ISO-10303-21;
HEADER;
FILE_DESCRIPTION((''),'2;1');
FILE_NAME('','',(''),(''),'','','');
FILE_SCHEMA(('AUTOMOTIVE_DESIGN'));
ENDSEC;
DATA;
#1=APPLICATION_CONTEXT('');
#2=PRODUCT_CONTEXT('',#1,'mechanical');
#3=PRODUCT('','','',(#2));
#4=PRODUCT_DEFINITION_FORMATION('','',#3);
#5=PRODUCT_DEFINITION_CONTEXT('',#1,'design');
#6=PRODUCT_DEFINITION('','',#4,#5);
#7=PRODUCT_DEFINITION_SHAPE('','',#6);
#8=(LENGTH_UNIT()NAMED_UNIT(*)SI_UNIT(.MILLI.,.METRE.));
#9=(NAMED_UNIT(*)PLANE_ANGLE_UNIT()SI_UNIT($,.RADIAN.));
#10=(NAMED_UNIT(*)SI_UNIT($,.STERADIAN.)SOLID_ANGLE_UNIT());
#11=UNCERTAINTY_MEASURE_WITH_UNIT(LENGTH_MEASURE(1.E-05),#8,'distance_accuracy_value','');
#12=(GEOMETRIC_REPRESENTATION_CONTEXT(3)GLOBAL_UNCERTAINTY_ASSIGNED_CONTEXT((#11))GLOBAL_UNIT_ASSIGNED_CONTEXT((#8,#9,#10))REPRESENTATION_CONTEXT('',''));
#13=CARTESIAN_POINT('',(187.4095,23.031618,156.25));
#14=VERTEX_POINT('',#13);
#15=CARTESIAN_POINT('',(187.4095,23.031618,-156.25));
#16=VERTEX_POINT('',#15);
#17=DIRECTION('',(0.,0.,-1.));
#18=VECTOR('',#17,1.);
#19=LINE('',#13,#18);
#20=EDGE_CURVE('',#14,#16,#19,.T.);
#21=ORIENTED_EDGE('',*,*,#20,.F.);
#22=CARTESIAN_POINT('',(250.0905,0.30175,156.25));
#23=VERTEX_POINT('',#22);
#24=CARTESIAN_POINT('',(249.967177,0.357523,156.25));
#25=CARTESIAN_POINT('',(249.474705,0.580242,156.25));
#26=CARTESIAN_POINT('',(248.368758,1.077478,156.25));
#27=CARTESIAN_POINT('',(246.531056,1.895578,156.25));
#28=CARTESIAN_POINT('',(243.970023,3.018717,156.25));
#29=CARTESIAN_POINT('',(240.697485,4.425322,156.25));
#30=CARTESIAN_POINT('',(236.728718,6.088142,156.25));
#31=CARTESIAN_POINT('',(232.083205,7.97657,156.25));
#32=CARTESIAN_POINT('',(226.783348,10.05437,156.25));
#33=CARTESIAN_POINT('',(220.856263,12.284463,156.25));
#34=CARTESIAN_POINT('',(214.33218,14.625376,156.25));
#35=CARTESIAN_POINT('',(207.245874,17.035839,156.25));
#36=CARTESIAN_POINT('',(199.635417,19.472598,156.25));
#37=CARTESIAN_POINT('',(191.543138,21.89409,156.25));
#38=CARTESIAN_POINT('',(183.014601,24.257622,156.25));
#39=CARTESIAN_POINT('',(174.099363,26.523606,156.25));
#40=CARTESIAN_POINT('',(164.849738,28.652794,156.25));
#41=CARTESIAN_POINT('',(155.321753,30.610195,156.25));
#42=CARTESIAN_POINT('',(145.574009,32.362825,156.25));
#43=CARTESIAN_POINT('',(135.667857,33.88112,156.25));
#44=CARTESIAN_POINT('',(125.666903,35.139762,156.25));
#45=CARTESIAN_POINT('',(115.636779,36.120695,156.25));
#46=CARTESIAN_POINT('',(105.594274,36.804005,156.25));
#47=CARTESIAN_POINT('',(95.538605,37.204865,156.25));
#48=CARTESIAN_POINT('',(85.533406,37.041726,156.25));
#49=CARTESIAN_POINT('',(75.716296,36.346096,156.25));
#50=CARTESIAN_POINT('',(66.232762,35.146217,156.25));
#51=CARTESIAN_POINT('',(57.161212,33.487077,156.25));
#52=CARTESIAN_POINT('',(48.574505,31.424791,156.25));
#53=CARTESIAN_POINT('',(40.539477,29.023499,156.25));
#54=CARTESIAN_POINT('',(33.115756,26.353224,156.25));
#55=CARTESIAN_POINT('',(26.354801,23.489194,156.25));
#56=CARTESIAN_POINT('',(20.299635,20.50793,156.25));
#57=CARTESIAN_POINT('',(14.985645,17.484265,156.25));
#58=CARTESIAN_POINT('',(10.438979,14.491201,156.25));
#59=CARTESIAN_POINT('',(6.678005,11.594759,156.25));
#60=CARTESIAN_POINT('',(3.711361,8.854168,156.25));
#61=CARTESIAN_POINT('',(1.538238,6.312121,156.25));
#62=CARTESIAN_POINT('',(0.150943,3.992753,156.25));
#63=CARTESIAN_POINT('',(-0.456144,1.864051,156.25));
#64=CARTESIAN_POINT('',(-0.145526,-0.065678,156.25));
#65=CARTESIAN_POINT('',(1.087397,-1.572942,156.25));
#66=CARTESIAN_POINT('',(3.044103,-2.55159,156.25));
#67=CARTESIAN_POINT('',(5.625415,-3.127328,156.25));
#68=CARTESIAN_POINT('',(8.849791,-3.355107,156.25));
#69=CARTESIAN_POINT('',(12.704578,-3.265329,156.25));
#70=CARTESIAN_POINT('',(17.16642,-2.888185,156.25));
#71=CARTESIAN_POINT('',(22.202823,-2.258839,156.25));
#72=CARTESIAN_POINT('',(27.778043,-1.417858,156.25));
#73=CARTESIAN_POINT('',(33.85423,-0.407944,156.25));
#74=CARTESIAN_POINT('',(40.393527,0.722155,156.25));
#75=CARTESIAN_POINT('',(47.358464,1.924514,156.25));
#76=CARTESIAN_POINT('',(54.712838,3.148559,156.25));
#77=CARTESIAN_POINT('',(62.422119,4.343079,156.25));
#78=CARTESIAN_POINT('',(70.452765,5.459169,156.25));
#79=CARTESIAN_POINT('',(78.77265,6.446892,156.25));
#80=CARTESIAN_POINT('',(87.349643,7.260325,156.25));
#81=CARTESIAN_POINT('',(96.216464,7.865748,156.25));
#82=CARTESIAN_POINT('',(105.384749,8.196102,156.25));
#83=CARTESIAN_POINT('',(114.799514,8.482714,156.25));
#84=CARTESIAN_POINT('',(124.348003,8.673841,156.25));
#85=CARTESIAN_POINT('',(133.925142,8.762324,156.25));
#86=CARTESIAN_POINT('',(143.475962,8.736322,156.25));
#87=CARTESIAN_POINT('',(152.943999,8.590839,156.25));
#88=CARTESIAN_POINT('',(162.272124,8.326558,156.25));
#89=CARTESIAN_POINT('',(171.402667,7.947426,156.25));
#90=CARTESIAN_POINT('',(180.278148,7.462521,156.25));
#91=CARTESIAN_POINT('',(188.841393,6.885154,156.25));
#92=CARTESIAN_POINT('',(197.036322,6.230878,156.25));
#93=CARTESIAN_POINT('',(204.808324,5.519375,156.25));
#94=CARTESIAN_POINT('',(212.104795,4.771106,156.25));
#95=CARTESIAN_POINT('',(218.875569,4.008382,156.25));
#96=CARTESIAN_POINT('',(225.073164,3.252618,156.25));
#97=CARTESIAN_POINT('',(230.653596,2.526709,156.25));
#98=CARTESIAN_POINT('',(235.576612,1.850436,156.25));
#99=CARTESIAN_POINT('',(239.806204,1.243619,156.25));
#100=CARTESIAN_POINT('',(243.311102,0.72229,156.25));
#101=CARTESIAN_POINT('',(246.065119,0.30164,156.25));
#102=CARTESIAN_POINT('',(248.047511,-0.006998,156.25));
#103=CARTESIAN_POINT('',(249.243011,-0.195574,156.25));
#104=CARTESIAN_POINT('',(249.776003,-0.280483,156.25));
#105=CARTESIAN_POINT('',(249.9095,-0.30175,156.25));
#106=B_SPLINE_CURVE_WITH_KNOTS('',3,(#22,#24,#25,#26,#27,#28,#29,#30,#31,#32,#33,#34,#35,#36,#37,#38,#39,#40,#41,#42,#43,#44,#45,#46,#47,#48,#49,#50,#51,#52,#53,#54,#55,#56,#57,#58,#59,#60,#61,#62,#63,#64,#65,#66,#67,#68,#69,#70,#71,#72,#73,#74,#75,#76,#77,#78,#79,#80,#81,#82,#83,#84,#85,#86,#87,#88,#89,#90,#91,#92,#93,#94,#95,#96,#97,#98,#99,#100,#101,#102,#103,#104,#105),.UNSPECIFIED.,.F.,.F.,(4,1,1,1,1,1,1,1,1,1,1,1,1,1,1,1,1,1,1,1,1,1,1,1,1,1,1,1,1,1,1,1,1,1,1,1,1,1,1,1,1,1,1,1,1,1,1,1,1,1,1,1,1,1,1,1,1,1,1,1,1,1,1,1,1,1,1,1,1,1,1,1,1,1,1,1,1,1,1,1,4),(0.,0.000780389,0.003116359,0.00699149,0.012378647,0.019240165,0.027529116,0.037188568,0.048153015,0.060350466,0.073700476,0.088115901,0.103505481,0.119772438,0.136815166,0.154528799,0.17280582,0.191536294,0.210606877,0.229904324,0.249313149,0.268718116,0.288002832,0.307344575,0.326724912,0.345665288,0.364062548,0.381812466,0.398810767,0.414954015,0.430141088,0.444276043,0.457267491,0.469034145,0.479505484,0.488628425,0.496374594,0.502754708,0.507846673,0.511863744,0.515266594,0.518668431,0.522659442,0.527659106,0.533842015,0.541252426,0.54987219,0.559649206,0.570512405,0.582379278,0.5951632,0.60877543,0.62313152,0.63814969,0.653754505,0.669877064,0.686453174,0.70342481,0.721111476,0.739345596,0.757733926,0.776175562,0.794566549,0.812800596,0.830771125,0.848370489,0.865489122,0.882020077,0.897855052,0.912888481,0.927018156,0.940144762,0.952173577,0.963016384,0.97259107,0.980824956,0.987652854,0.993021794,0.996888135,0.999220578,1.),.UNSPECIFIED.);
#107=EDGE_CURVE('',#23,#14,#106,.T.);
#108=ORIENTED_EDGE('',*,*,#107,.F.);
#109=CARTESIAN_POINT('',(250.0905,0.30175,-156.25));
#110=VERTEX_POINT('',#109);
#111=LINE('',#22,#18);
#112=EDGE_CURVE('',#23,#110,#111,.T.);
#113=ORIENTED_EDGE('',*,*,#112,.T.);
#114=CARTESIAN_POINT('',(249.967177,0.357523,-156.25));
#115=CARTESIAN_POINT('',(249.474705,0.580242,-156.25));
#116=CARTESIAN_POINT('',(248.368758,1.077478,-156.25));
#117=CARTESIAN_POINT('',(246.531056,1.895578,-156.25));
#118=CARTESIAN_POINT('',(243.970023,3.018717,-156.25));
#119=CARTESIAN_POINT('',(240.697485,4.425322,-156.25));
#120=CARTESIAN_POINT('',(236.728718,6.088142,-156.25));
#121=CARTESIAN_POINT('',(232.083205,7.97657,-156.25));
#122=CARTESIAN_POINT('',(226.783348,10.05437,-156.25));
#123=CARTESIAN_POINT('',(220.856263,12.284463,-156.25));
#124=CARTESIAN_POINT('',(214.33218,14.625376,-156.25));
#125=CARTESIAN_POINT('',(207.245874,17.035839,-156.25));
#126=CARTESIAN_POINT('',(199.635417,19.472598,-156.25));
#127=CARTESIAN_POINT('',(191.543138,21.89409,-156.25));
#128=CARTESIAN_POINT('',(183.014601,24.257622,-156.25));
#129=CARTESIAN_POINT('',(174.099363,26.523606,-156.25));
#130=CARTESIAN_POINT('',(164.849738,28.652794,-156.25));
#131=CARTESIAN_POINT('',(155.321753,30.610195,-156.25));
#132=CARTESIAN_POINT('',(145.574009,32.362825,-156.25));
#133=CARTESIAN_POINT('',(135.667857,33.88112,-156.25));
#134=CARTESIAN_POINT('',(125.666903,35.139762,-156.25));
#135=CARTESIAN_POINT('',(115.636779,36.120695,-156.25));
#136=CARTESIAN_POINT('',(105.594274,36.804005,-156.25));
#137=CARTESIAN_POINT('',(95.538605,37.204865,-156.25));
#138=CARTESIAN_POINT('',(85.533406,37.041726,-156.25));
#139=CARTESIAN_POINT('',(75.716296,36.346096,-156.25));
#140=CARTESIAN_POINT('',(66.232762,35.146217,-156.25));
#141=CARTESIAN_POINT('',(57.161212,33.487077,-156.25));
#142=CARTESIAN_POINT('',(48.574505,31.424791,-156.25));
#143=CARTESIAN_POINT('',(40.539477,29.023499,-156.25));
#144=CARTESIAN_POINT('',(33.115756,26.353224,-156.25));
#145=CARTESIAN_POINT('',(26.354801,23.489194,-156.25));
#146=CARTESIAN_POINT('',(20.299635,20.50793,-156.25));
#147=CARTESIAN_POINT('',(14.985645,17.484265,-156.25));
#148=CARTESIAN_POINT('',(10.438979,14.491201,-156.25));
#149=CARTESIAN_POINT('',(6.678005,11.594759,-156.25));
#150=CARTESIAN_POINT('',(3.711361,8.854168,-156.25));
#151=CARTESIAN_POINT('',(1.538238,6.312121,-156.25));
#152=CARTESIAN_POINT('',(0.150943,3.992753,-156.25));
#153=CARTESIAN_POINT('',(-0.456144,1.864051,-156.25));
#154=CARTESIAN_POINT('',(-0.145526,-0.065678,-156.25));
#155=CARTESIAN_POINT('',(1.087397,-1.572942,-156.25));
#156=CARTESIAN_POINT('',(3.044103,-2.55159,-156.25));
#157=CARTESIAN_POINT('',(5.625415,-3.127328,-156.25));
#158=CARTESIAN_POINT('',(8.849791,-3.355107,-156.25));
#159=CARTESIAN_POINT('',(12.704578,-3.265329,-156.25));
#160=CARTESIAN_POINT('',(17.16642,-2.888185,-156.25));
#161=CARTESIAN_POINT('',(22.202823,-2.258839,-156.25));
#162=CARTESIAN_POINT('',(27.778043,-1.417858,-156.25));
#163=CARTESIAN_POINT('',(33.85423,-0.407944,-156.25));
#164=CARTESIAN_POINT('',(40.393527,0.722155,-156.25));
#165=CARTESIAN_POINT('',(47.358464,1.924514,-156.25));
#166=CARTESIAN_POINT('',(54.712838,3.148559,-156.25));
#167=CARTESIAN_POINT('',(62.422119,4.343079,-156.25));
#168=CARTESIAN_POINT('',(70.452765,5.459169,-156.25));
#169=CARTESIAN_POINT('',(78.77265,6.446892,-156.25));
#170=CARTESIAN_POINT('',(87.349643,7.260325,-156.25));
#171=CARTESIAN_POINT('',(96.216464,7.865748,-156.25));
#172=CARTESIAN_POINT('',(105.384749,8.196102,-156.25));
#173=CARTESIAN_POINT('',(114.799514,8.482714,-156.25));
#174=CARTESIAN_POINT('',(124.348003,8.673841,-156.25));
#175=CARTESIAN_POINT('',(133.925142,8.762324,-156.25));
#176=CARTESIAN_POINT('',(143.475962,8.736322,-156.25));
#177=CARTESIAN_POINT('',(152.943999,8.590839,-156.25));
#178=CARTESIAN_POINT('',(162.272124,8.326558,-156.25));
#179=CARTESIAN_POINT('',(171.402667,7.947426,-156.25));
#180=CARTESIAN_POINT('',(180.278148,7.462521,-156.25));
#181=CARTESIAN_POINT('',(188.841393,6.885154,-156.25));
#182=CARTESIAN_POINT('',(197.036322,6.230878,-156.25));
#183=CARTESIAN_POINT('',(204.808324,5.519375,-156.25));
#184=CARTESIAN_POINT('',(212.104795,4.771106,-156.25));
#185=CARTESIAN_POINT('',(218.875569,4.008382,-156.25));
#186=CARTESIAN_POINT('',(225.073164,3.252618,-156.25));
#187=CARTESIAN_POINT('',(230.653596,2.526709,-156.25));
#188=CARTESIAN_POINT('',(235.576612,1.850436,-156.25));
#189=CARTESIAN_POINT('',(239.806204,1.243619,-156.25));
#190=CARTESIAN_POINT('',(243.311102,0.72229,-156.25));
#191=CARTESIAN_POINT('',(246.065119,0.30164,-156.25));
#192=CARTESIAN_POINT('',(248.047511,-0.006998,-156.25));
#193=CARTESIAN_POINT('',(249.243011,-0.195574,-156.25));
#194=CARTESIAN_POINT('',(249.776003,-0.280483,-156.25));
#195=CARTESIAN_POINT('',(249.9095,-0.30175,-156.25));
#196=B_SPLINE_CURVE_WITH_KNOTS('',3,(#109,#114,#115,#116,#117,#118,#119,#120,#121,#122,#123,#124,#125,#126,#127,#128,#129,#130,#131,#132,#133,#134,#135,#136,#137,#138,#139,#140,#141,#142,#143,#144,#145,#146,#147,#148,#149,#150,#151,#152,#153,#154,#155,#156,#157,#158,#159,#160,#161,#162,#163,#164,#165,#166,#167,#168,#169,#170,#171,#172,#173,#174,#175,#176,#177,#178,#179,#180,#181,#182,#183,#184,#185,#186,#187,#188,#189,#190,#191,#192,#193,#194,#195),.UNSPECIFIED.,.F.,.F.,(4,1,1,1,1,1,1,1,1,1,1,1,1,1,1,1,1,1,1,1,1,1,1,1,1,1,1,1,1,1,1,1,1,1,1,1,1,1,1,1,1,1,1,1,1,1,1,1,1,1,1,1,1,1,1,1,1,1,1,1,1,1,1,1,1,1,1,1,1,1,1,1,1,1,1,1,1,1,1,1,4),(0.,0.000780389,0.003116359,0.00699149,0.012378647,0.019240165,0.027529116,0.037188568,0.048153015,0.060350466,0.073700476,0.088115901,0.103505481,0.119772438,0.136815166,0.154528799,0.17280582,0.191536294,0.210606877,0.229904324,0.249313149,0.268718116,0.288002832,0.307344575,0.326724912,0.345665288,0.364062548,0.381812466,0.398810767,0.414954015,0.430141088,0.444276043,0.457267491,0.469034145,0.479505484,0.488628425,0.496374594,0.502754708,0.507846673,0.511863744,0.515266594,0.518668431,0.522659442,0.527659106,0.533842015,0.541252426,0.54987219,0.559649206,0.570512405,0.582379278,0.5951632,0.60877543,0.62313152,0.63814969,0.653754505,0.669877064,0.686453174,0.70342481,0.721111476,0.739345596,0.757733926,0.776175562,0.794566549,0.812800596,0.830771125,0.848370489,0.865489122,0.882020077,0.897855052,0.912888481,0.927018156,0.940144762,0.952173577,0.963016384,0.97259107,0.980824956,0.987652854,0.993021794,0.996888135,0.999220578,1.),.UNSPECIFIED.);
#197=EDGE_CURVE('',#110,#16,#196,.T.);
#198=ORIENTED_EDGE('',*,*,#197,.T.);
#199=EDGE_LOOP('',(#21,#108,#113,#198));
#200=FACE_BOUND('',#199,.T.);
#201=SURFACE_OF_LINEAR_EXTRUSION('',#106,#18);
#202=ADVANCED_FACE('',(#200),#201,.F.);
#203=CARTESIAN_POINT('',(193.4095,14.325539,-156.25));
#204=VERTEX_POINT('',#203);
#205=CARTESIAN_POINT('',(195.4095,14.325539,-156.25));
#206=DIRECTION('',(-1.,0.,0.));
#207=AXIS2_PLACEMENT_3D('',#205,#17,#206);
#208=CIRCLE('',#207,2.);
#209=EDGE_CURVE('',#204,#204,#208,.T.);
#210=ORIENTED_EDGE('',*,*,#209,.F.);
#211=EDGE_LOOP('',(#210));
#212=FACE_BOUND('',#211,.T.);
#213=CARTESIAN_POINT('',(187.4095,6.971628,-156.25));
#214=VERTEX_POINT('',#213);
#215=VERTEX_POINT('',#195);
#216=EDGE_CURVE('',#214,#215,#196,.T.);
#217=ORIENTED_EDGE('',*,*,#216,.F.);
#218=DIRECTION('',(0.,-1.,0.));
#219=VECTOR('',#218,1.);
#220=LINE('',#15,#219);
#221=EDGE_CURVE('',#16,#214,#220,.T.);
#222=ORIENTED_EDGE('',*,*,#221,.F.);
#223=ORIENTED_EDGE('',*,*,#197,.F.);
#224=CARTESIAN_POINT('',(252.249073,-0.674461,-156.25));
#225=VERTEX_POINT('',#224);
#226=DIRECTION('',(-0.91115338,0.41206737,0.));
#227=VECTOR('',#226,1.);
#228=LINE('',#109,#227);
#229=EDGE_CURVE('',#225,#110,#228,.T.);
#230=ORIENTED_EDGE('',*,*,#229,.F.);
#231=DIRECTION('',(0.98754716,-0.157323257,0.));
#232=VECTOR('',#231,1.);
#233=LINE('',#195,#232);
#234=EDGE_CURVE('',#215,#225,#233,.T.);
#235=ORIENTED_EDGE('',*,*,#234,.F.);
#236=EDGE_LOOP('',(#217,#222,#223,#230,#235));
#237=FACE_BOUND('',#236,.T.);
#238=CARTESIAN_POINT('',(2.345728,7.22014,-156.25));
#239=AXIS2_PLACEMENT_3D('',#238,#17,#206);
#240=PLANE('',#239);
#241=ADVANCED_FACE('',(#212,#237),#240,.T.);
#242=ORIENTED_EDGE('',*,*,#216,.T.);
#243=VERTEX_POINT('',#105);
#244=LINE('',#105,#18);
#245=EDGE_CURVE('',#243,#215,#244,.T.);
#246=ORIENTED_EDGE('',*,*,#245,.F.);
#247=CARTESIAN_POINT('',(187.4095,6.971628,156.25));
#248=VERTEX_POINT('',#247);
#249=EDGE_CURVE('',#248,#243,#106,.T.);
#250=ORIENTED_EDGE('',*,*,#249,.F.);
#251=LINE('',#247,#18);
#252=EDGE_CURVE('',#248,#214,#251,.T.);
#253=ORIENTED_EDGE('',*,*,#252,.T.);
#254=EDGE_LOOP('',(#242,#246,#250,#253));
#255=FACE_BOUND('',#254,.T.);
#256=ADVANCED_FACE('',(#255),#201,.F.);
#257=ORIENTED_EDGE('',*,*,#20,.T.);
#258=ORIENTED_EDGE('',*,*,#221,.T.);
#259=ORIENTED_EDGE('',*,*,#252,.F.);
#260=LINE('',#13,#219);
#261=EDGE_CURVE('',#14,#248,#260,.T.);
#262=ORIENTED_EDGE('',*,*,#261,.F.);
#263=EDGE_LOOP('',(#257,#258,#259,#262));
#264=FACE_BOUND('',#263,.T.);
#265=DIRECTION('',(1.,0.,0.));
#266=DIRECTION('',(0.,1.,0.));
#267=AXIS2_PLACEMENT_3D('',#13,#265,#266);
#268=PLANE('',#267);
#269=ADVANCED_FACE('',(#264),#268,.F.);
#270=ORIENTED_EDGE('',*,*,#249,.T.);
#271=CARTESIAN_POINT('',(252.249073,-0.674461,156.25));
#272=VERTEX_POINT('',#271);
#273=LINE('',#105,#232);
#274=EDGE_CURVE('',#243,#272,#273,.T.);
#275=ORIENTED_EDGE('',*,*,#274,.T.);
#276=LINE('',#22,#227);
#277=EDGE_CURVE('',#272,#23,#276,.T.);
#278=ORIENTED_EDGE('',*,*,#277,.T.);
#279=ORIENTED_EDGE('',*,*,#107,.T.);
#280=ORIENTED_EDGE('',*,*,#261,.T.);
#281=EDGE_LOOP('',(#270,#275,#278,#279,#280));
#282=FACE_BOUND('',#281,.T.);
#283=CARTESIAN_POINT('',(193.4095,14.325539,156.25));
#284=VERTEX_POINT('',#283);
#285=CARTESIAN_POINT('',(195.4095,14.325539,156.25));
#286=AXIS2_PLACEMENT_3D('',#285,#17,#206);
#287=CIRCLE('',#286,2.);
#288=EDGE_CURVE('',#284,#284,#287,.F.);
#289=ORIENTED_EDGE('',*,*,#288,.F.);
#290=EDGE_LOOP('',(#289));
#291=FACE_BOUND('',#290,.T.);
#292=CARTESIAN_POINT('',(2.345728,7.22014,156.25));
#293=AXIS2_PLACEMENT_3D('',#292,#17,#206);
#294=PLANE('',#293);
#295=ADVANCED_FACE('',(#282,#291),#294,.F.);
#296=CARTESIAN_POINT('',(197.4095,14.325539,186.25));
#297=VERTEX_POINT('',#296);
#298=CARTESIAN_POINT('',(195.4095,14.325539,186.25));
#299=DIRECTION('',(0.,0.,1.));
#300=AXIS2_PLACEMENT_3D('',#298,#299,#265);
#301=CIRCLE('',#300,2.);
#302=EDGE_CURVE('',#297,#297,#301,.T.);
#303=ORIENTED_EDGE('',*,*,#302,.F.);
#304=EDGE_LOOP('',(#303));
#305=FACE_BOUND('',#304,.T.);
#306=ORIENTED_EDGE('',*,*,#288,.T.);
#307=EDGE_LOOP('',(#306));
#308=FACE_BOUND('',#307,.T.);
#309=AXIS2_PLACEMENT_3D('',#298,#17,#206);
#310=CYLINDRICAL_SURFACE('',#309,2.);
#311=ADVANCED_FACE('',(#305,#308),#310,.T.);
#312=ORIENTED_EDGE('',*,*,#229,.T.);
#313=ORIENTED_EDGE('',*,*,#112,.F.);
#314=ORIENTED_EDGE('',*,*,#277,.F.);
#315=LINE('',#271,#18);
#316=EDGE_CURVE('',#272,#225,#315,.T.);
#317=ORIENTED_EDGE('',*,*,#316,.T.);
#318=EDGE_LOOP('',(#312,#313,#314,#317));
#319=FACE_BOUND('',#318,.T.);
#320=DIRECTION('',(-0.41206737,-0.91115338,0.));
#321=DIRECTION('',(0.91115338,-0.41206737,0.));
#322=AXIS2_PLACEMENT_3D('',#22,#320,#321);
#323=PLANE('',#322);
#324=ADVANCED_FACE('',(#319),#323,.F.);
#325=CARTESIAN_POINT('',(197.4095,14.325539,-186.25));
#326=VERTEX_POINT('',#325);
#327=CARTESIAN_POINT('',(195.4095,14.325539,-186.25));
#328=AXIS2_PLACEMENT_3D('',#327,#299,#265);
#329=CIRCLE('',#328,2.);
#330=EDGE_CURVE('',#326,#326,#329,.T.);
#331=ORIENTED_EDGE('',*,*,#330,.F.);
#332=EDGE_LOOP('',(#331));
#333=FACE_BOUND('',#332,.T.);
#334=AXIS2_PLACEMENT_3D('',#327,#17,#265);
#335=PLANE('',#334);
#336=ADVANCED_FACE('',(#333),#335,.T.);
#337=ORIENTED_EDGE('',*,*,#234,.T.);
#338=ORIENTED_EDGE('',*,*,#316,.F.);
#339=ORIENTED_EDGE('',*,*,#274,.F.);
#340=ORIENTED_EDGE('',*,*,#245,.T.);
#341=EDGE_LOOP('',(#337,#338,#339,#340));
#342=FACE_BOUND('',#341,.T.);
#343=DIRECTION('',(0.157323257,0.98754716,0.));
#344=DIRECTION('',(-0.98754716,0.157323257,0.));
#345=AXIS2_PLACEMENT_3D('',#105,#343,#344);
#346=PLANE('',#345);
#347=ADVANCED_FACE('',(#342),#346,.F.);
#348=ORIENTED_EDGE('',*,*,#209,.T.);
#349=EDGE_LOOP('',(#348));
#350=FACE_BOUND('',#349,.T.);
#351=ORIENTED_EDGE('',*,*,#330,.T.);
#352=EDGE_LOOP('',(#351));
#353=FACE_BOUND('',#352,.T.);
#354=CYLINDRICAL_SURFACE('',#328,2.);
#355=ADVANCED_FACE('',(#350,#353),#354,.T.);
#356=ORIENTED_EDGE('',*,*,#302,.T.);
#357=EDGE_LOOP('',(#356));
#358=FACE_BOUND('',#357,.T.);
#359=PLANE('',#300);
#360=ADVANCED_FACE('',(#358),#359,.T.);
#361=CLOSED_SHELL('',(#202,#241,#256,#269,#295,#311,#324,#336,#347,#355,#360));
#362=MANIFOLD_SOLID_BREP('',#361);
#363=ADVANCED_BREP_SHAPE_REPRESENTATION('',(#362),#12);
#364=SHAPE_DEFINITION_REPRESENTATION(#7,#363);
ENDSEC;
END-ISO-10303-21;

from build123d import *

# Parameters (mm, degrees)
BOSS_EXTRUDE1_DEPTH = 156.25
SKETCH2_R           = 2
BOSS_EXTRUDE2_DEPTH = 30


with BuildPart() as part:
    # Sketch1 → Boss-Extrude1 (new, symmetric)
    with BuildSketch(Plane.XY):
        with BuildLine():
            Line((250.0905, 0.30175), (252.249073162, -0.674460576))
            Line((252.249073162, -0.674460576), (249.9095, -0.30175))
            add(Edge.make_bspline(
                [(187.409499992, 6.97162784), (187.926542579, 6.93467422), (191.182721922, 6.698224302), (197.036321835, 6.230878489), (204.808324469, 5.519375072), (212.104795112, 4.771105754), (218.875568902, 4.008381966), (225.073163798, 3.252618397), (230.65359628, 2.526708522), (235.57661183, 1.850436242), (239.806204059, 1.243618912), (243.311102366, 0.722290418), (246.065118996, 0.301639985), (248.047511403, -0.006998185), (249.243010727, -0.195573538), (249.776002712, -0.280482936), (249.9095, -0.30175)],
                knots=[0.879031338, 0.879031338, 0.879031338, 0.879031338, 0.882020077, 0.897855052, 0.912888481, 0.927018156, 0.940144762, 0.952173577, 0.963016384, 0.97259107, 0.980824956, 0.987652854, 0.993021794, 0.996888135, 0.999220578, 1, 1, 1, 1], degree=3))
            Line((187.409499992, 6.97162784), (187.409499992, 23.031618348))
            add(Edge.make_bspline(
                [(250.0905, 0.30175), (249.967176894, 0.357522638), (249.474705499, 0.580241883), (248.368757841, 1.077478413), (246.531056029, 1.895578453), (243.970022782, 3.018717316), (240.697484766, 4.425321678), (236.728718064, 6.08814206), (232.083205178, 7.976570158), (226.783347758, 10.054370405), (220.856263164, 12.28446326), (214.332179959, 14.625376483), (207.245873814, 17.035839108), (199.635416935, 19.472597931), (192.963027463, 21.469209577), (188.829830843, 22.637983802), (187.409499992, 23.031618348)],
                knots=[0, 0, 0, 0, 0.000780389, 0.003116359, 0.00699149, 0.012378647, 0.019240165, 0.027529116, 0.037188568, 0.048153015, 0.060350466, 0.073700476, 0.088115901, 0.103505481, 0.119772438, 0.128270281, 0.128270281, 0.128270281, 0.128270281], degree=3))
        make_face()
    extrude(amount=BOSS_EXTRUDE1_DEPTH, both=True)

    # Sketch2 → Boss-Extrude2 (add)
    with BuildSketch(Plane.XY.offset(156.25)):
        with Locations(Location((195.409499992, 14.325539424, 0), (0, 0, 180))):
            Circle(SKETCH2_R)
    boss_extrude2 = extrude(amount=BOSS_EXTRUDE2_DEPTH)

    # Mirror1: Boss-Extrude2 across plane
    add(boss_extrude2.mirror(Plane.XY))


solid = part.part
